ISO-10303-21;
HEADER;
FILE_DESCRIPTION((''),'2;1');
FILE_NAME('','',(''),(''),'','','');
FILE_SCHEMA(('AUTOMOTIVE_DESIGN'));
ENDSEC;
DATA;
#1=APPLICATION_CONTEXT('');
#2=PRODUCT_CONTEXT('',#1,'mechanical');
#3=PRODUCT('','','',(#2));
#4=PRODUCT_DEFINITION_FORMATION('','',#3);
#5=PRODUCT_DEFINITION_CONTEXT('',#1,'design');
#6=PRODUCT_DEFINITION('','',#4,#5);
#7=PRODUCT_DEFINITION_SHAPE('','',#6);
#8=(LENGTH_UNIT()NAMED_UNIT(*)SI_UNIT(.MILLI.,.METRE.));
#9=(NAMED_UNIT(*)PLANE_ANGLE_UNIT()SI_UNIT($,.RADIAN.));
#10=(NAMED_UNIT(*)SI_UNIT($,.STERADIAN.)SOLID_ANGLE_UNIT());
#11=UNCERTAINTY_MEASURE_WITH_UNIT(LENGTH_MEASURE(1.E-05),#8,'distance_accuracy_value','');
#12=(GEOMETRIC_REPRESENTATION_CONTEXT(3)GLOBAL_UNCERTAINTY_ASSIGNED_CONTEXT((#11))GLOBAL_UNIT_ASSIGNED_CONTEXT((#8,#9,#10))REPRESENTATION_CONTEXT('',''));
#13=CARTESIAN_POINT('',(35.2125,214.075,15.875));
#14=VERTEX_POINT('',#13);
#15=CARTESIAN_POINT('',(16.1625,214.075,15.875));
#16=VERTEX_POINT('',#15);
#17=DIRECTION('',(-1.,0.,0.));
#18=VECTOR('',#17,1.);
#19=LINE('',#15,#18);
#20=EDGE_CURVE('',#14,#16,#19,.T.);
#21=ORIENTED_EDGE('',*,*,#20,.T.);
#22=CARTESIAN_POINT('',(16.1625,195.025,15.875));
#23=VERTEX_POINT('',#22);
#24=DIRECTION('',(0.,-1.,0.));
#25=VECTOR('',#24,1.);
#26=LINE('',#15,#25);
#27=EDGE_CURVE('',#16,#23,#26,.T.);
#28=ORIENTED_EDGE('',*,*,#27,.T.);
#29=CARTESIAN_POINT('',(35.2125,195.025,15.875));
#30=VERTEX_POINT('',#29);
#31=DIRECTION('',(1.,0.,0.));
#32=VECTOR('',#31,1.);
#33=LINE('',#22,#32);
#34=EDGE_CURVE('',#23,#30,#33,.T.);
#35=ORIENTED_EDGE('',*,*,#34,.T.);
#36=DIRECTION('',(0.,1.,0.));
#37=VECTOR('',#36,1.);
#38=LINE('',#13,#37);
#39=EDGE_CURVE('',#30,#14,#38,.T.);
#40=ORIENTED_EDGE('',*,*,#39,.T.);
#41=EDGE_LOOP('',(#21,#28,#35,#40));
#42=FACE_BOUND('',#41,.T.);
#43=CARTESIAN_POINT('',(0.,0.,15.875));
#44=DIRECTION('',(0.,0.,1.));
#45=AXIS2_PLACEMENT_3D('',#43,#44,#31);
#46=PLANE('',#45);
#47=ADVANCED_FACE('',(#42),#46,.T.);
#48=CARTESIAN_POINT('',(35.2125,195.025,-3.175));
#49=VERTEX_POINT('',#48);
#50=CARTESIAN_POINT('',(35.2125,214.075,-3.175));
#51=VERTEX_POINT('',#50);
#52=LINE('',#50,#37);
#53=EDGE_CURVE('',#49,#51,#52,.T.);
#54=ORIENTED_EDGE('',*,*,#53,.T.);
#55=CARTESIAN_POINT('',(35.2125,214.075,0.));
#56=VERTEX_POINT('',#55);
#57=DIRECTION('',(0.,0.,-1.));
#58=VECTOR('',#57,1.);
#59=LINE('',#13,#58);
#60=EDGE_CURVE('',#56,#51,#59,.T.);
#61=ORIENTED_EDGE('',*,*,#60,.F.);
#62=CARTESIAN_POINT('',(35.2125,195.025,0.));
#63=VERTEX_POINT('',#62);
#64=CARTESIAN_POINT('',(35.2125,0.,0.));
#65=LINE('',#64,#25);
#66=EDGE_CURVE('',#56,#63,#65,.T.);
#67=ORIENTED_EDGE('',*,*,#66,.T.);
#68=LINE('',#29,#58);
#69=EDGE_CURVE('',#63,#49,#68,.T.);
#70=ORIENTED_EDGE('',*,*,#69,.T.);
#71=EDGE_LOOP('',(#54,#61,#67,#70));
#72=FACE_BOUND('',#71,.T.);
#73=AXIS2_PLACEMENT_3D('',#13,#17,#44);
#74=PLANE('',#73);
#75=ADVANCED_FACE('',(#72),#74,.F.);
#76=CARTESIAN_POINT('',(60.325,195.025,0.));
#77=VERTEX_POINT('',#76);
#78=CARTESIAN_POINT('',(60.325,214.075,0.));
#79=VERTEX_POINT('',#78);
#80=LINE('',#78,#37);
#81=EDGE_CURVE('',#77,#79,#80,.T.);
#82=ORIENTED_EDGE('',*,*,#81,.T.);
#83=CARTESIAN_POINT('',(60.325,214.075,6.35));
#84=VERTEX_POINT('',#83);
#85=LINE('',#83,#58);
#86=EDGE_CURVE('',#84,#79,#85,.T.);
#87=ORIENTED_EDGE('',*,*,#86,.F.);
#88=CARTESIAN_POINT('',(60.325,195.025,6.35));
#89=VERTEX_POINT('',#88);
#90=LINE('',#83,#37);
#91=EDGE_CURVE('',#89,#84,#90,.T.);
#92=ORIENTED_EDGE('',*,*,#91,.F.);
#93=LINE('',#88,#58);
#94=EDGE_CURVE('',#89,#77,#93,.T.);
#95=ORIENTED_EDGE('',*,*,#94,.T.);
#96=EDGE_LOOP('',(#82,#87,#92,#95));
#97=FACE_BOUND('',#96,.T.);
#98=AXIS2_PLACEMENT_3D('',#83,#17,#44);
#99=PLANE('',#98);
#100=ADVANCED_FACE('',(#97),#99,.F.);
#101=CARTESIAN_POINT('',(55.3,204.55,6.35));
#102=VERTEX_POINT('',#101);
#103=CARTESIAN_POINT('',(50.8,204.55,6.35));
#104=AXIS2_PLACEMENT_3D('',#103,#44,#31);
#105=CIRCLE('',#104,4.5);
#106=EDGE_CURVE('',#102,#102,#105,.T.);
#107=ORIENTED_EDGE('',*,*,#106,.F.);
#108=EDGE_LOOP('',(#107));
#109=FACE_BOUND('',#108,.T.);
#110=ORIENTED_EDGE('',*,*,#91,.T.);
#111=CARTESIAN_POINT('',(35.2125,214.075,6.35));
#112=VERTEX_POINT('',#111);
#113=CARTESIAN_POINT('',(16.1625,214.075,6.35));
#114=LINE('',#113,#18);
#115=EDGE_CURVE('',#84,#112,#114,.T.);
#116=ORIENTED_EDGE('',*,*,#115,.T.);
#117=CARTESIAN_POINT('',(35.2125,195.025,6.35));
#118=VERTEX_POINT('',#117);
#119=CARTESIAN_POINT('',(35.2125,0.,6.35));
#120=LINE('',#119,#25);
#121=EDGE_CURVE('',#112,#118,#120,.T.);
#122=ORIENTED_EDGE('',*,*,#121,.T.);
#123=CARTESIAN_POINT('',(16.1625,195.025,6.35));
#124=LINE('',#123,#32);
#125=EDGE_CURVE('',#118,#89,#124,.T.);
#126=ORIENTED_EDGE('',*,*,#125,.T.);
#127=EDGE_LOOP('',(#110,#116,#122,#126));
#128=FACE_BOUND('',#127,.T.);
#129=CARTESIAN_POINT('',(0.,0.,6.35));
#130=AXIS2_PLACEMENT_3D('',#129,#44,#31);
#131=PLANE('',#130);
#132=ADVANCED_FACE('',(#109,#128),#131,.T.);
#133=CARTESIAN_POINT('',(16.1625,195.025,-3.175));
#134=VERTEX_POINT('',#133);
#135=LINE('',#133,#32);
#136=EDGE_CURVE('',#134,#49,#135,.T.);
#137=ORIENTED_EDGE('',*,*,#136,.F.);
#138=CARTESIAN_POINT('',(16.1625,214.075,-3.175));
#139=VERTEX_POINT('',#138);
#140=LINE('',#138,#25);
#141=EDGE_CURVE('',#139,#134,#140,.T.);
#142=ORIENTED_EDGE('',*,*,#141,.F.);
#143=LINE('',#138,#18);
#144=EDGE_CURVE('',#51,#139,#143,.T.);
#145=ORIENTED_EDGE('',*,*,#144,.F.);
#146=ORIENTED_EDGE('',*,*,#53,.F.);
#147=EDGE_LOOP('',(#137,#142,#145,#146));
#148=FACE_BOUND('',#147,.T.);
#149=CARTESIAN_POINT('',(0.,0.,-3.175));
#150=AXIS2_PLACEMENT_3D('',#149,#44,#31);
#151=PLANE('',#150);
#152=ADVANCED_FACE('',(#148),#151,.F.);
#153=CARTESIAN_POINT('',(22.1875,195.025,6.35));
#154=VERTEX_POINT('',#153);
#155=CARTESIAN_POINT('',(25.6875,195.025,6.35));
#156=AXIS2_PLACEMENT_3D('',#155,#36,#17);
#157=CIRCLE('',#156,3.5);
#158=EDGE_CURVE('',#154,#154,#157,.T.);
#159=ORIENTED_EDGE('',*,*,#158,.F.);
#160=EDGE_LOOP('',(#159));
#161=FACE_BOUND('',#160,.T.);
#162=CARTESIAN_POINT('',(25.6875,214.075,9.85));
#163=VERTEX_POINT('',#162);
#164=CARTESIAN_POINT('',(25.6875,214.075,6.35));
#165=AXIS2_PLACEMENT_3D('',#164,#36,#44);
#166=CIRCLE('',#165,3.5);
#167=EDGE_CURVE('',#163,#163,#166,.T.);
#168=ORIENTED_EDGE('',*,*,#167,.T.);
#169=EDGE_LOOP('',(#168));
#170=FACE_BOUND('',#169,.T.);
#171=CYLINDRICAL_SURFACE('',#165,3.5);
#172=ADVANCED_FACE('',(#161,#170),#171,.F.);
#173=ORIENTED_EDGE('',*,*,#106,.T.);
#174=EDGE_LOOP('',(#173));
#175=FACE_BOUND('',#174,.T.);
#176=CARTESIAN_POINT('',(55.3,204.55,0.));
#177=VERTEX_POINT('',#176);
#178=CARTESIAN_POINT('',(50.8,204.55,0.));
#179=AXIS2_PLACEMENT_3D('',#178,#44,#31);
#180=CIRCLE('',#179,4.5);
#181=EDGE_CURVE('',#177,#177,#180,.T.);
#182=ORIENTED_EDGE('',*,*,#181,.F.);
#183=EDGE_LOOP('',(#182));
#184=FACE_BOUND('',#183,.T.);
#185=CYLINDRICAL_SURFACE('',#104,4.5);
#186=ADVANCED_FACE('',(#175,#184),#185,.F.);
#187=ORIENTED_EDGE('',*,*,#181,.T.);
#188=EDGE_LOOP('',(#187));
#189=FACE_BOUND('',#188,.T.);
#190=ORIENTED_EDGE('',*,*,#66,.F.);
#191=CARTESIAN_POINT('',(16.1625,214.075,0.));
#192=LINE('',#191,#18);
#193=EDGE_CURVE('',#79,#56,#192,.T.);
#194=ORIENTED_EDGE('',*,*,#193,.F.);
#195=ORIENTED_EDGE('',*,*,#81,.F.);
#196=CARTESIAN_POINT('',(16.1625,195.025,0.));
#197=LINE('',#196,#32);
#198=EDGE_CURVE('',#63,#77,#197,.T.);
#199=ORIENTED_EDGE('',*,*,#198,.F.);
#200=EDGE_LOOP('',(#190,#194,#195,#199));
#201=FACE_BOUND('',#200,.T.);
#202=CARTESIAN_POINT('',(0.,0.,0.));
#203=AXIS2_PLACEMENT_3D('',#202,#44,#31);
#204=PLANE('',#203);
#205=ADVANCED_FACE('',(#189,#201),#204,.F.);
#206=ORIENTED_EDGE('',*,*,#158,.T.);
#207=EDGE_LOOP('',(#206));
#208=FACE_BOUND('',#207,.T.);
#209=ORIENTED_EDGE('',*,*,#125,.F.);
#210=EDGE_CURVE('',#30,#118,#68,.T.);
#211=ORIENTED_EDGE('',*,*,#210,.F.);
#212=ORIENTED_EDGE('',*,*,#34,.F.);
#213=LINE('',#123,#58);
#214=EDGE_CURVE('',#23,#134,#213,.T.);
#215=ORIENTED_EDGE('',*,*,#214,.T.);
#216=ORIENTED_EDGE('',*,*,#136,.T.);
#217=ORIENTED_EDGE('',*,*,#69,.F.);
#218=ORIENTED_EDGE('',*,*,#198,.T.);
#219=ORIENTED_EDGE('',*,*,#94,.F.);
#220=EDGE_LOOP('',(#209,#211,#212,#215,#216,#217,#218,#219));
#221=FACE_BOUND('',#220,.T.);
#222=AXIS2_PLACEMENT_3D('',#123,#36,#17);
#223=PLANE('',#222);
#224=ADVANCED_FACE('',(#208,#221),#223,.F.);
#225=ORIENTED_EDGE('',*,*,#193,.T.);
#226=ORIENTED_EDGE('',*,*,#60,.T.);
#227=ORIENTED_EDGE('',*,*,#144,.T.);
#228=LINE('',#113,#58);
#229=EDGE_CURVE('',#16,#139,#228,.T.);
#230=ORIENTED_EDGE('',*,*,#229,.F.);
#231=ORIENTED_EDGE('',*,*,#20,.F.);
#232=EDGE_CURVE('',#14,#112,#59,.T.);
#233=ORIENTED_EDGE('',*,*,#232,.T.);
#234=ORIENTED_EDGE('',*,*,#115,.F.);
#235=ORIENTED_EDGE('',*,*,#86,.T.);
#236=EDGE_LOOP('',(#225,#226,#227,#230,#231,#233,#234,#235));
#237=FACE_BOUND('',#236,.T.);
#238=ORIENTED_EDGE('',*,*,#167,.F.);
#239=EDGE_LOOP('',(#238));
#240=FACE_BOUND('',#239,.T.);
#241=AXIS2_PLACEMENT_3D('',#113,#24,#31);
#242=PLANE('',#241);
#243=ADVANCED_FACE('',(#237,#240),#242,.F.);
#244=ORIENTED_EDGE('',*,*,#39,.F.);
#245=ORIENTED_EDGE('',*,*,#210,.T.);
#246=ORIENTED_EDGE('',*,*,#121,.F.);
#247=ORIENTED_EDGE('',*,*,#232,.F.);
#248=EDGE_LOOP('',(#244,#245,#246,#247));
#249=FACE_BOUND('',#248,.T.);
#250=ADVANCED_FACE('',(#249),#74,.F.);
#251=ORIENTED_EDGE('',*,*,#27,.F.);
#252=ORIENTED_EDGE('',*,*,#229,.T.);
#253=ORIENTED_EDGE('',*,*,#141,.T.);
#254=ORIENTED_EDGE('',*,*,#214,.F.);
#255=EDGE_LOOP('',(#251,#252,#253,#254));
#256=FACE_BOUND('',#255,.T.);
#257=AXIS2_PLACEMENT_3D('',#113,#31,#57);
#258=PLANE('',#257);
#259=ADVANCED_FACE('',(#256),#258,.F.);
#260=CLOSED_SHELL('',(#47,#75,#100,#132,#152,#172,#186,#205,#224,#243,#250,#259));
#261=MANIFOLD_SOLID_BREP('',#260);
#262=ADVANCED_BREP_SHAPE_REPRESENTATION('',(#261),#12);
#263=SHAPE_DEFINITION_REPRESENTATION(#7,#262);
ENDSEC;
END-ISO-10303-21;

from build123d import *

# Parameters (mm, degrees)
SKETCH1_W                 = 44.1625
SKETCH1_H                 = 19.05
BOSS_EXTRUDE1_DEPTH       = 6.35
SKETCH2_W                 = 19.05
SKETCH2_H                 = 19.05
BOSS_EXTRUDE2_DEPTH       = 9.525
M8X1_0_TAPPED_HOLE1_D     = 7
M8X1_0_TAPPED_HOLE1_DEPTH = 21.082
M8X1_0_TAPPED_HOLE1_TIP   = 2.103012167
M8_CLEARANCE_HOLE1_D      = 9
M8_CLEARANCE_HOLE1_DEPTH  = 21.082
M8_CLEARANCE_HOLE1_TIP    = 2.703872786


with BuildPart() as part:
    # Sketch1 → Boss-Extrude1 (new body)
    with BuildSketch(Plane.XY):
        with Locations((38.24375, 204.55)):
            Rectangle(SKETCH1_W, SKETCH1_H)
    extrude(amount=BOSS_EXTRUDE1_DEPTH)

    # Sketch2 → Boss-Extrude2 (add, symmetric)
    with BuildSketch(Plane.XY.offset(6.35)):
        with Locations((25.6875, 204.55)):
            Rectangle(SKETCH2_W, SKETCH2_H)
    extrude(amount=BOSS_EXTRUDE2_DEPTH, both=True)

    # M8x1.0 Tapped Hole1
    with Locations(Plane(origin=(0, 214.075, 0), x_dir=(1, 0, 0), z_dir=(0, 1, 0))):
        with Locations((25.6875, -6.35)):
            Hole(M8X1_0_TAPPED_HOLE1_D / 2, depth=M8X1_0_TAPPED_HOLE1_DEPTH)
            with Locations((0, 0, -(M8X1_0_TAPPED_HOLE1_DEPTH + M8X1_0_TAPPED_HOLE1_TIP / 2))):  # 118° drill point
                Cone(0, M8X1_0_TAPPED_HOLE1_D / 2, M8X1_0_TAPPED_HOLE1_TIP, mode=Mode.SUBTRACT)

    # M8 Clearance Hole1
    with Locations(Plane.XY.offset(6.35)):
        with Locations((50.8, 204.55)):
            Hole(M8_CLEARANCE_HOLE1_D / 2, depth=M8_CLEARANCE_HOLE1_DEPTH)
            with Locations((0, 0, -(M8_CLEARANCE_HOLE1_DEPTH + M8_CLEARANCE_HOLE1_TIP / 2))):  # 118° drill point
                Cone(0, M8_CLEARANCE_HOLE1_D / 2, M8_CLEARANCE_HOLE1_TIP, mode=Mode.SUBTRACT)


solid = part.part
